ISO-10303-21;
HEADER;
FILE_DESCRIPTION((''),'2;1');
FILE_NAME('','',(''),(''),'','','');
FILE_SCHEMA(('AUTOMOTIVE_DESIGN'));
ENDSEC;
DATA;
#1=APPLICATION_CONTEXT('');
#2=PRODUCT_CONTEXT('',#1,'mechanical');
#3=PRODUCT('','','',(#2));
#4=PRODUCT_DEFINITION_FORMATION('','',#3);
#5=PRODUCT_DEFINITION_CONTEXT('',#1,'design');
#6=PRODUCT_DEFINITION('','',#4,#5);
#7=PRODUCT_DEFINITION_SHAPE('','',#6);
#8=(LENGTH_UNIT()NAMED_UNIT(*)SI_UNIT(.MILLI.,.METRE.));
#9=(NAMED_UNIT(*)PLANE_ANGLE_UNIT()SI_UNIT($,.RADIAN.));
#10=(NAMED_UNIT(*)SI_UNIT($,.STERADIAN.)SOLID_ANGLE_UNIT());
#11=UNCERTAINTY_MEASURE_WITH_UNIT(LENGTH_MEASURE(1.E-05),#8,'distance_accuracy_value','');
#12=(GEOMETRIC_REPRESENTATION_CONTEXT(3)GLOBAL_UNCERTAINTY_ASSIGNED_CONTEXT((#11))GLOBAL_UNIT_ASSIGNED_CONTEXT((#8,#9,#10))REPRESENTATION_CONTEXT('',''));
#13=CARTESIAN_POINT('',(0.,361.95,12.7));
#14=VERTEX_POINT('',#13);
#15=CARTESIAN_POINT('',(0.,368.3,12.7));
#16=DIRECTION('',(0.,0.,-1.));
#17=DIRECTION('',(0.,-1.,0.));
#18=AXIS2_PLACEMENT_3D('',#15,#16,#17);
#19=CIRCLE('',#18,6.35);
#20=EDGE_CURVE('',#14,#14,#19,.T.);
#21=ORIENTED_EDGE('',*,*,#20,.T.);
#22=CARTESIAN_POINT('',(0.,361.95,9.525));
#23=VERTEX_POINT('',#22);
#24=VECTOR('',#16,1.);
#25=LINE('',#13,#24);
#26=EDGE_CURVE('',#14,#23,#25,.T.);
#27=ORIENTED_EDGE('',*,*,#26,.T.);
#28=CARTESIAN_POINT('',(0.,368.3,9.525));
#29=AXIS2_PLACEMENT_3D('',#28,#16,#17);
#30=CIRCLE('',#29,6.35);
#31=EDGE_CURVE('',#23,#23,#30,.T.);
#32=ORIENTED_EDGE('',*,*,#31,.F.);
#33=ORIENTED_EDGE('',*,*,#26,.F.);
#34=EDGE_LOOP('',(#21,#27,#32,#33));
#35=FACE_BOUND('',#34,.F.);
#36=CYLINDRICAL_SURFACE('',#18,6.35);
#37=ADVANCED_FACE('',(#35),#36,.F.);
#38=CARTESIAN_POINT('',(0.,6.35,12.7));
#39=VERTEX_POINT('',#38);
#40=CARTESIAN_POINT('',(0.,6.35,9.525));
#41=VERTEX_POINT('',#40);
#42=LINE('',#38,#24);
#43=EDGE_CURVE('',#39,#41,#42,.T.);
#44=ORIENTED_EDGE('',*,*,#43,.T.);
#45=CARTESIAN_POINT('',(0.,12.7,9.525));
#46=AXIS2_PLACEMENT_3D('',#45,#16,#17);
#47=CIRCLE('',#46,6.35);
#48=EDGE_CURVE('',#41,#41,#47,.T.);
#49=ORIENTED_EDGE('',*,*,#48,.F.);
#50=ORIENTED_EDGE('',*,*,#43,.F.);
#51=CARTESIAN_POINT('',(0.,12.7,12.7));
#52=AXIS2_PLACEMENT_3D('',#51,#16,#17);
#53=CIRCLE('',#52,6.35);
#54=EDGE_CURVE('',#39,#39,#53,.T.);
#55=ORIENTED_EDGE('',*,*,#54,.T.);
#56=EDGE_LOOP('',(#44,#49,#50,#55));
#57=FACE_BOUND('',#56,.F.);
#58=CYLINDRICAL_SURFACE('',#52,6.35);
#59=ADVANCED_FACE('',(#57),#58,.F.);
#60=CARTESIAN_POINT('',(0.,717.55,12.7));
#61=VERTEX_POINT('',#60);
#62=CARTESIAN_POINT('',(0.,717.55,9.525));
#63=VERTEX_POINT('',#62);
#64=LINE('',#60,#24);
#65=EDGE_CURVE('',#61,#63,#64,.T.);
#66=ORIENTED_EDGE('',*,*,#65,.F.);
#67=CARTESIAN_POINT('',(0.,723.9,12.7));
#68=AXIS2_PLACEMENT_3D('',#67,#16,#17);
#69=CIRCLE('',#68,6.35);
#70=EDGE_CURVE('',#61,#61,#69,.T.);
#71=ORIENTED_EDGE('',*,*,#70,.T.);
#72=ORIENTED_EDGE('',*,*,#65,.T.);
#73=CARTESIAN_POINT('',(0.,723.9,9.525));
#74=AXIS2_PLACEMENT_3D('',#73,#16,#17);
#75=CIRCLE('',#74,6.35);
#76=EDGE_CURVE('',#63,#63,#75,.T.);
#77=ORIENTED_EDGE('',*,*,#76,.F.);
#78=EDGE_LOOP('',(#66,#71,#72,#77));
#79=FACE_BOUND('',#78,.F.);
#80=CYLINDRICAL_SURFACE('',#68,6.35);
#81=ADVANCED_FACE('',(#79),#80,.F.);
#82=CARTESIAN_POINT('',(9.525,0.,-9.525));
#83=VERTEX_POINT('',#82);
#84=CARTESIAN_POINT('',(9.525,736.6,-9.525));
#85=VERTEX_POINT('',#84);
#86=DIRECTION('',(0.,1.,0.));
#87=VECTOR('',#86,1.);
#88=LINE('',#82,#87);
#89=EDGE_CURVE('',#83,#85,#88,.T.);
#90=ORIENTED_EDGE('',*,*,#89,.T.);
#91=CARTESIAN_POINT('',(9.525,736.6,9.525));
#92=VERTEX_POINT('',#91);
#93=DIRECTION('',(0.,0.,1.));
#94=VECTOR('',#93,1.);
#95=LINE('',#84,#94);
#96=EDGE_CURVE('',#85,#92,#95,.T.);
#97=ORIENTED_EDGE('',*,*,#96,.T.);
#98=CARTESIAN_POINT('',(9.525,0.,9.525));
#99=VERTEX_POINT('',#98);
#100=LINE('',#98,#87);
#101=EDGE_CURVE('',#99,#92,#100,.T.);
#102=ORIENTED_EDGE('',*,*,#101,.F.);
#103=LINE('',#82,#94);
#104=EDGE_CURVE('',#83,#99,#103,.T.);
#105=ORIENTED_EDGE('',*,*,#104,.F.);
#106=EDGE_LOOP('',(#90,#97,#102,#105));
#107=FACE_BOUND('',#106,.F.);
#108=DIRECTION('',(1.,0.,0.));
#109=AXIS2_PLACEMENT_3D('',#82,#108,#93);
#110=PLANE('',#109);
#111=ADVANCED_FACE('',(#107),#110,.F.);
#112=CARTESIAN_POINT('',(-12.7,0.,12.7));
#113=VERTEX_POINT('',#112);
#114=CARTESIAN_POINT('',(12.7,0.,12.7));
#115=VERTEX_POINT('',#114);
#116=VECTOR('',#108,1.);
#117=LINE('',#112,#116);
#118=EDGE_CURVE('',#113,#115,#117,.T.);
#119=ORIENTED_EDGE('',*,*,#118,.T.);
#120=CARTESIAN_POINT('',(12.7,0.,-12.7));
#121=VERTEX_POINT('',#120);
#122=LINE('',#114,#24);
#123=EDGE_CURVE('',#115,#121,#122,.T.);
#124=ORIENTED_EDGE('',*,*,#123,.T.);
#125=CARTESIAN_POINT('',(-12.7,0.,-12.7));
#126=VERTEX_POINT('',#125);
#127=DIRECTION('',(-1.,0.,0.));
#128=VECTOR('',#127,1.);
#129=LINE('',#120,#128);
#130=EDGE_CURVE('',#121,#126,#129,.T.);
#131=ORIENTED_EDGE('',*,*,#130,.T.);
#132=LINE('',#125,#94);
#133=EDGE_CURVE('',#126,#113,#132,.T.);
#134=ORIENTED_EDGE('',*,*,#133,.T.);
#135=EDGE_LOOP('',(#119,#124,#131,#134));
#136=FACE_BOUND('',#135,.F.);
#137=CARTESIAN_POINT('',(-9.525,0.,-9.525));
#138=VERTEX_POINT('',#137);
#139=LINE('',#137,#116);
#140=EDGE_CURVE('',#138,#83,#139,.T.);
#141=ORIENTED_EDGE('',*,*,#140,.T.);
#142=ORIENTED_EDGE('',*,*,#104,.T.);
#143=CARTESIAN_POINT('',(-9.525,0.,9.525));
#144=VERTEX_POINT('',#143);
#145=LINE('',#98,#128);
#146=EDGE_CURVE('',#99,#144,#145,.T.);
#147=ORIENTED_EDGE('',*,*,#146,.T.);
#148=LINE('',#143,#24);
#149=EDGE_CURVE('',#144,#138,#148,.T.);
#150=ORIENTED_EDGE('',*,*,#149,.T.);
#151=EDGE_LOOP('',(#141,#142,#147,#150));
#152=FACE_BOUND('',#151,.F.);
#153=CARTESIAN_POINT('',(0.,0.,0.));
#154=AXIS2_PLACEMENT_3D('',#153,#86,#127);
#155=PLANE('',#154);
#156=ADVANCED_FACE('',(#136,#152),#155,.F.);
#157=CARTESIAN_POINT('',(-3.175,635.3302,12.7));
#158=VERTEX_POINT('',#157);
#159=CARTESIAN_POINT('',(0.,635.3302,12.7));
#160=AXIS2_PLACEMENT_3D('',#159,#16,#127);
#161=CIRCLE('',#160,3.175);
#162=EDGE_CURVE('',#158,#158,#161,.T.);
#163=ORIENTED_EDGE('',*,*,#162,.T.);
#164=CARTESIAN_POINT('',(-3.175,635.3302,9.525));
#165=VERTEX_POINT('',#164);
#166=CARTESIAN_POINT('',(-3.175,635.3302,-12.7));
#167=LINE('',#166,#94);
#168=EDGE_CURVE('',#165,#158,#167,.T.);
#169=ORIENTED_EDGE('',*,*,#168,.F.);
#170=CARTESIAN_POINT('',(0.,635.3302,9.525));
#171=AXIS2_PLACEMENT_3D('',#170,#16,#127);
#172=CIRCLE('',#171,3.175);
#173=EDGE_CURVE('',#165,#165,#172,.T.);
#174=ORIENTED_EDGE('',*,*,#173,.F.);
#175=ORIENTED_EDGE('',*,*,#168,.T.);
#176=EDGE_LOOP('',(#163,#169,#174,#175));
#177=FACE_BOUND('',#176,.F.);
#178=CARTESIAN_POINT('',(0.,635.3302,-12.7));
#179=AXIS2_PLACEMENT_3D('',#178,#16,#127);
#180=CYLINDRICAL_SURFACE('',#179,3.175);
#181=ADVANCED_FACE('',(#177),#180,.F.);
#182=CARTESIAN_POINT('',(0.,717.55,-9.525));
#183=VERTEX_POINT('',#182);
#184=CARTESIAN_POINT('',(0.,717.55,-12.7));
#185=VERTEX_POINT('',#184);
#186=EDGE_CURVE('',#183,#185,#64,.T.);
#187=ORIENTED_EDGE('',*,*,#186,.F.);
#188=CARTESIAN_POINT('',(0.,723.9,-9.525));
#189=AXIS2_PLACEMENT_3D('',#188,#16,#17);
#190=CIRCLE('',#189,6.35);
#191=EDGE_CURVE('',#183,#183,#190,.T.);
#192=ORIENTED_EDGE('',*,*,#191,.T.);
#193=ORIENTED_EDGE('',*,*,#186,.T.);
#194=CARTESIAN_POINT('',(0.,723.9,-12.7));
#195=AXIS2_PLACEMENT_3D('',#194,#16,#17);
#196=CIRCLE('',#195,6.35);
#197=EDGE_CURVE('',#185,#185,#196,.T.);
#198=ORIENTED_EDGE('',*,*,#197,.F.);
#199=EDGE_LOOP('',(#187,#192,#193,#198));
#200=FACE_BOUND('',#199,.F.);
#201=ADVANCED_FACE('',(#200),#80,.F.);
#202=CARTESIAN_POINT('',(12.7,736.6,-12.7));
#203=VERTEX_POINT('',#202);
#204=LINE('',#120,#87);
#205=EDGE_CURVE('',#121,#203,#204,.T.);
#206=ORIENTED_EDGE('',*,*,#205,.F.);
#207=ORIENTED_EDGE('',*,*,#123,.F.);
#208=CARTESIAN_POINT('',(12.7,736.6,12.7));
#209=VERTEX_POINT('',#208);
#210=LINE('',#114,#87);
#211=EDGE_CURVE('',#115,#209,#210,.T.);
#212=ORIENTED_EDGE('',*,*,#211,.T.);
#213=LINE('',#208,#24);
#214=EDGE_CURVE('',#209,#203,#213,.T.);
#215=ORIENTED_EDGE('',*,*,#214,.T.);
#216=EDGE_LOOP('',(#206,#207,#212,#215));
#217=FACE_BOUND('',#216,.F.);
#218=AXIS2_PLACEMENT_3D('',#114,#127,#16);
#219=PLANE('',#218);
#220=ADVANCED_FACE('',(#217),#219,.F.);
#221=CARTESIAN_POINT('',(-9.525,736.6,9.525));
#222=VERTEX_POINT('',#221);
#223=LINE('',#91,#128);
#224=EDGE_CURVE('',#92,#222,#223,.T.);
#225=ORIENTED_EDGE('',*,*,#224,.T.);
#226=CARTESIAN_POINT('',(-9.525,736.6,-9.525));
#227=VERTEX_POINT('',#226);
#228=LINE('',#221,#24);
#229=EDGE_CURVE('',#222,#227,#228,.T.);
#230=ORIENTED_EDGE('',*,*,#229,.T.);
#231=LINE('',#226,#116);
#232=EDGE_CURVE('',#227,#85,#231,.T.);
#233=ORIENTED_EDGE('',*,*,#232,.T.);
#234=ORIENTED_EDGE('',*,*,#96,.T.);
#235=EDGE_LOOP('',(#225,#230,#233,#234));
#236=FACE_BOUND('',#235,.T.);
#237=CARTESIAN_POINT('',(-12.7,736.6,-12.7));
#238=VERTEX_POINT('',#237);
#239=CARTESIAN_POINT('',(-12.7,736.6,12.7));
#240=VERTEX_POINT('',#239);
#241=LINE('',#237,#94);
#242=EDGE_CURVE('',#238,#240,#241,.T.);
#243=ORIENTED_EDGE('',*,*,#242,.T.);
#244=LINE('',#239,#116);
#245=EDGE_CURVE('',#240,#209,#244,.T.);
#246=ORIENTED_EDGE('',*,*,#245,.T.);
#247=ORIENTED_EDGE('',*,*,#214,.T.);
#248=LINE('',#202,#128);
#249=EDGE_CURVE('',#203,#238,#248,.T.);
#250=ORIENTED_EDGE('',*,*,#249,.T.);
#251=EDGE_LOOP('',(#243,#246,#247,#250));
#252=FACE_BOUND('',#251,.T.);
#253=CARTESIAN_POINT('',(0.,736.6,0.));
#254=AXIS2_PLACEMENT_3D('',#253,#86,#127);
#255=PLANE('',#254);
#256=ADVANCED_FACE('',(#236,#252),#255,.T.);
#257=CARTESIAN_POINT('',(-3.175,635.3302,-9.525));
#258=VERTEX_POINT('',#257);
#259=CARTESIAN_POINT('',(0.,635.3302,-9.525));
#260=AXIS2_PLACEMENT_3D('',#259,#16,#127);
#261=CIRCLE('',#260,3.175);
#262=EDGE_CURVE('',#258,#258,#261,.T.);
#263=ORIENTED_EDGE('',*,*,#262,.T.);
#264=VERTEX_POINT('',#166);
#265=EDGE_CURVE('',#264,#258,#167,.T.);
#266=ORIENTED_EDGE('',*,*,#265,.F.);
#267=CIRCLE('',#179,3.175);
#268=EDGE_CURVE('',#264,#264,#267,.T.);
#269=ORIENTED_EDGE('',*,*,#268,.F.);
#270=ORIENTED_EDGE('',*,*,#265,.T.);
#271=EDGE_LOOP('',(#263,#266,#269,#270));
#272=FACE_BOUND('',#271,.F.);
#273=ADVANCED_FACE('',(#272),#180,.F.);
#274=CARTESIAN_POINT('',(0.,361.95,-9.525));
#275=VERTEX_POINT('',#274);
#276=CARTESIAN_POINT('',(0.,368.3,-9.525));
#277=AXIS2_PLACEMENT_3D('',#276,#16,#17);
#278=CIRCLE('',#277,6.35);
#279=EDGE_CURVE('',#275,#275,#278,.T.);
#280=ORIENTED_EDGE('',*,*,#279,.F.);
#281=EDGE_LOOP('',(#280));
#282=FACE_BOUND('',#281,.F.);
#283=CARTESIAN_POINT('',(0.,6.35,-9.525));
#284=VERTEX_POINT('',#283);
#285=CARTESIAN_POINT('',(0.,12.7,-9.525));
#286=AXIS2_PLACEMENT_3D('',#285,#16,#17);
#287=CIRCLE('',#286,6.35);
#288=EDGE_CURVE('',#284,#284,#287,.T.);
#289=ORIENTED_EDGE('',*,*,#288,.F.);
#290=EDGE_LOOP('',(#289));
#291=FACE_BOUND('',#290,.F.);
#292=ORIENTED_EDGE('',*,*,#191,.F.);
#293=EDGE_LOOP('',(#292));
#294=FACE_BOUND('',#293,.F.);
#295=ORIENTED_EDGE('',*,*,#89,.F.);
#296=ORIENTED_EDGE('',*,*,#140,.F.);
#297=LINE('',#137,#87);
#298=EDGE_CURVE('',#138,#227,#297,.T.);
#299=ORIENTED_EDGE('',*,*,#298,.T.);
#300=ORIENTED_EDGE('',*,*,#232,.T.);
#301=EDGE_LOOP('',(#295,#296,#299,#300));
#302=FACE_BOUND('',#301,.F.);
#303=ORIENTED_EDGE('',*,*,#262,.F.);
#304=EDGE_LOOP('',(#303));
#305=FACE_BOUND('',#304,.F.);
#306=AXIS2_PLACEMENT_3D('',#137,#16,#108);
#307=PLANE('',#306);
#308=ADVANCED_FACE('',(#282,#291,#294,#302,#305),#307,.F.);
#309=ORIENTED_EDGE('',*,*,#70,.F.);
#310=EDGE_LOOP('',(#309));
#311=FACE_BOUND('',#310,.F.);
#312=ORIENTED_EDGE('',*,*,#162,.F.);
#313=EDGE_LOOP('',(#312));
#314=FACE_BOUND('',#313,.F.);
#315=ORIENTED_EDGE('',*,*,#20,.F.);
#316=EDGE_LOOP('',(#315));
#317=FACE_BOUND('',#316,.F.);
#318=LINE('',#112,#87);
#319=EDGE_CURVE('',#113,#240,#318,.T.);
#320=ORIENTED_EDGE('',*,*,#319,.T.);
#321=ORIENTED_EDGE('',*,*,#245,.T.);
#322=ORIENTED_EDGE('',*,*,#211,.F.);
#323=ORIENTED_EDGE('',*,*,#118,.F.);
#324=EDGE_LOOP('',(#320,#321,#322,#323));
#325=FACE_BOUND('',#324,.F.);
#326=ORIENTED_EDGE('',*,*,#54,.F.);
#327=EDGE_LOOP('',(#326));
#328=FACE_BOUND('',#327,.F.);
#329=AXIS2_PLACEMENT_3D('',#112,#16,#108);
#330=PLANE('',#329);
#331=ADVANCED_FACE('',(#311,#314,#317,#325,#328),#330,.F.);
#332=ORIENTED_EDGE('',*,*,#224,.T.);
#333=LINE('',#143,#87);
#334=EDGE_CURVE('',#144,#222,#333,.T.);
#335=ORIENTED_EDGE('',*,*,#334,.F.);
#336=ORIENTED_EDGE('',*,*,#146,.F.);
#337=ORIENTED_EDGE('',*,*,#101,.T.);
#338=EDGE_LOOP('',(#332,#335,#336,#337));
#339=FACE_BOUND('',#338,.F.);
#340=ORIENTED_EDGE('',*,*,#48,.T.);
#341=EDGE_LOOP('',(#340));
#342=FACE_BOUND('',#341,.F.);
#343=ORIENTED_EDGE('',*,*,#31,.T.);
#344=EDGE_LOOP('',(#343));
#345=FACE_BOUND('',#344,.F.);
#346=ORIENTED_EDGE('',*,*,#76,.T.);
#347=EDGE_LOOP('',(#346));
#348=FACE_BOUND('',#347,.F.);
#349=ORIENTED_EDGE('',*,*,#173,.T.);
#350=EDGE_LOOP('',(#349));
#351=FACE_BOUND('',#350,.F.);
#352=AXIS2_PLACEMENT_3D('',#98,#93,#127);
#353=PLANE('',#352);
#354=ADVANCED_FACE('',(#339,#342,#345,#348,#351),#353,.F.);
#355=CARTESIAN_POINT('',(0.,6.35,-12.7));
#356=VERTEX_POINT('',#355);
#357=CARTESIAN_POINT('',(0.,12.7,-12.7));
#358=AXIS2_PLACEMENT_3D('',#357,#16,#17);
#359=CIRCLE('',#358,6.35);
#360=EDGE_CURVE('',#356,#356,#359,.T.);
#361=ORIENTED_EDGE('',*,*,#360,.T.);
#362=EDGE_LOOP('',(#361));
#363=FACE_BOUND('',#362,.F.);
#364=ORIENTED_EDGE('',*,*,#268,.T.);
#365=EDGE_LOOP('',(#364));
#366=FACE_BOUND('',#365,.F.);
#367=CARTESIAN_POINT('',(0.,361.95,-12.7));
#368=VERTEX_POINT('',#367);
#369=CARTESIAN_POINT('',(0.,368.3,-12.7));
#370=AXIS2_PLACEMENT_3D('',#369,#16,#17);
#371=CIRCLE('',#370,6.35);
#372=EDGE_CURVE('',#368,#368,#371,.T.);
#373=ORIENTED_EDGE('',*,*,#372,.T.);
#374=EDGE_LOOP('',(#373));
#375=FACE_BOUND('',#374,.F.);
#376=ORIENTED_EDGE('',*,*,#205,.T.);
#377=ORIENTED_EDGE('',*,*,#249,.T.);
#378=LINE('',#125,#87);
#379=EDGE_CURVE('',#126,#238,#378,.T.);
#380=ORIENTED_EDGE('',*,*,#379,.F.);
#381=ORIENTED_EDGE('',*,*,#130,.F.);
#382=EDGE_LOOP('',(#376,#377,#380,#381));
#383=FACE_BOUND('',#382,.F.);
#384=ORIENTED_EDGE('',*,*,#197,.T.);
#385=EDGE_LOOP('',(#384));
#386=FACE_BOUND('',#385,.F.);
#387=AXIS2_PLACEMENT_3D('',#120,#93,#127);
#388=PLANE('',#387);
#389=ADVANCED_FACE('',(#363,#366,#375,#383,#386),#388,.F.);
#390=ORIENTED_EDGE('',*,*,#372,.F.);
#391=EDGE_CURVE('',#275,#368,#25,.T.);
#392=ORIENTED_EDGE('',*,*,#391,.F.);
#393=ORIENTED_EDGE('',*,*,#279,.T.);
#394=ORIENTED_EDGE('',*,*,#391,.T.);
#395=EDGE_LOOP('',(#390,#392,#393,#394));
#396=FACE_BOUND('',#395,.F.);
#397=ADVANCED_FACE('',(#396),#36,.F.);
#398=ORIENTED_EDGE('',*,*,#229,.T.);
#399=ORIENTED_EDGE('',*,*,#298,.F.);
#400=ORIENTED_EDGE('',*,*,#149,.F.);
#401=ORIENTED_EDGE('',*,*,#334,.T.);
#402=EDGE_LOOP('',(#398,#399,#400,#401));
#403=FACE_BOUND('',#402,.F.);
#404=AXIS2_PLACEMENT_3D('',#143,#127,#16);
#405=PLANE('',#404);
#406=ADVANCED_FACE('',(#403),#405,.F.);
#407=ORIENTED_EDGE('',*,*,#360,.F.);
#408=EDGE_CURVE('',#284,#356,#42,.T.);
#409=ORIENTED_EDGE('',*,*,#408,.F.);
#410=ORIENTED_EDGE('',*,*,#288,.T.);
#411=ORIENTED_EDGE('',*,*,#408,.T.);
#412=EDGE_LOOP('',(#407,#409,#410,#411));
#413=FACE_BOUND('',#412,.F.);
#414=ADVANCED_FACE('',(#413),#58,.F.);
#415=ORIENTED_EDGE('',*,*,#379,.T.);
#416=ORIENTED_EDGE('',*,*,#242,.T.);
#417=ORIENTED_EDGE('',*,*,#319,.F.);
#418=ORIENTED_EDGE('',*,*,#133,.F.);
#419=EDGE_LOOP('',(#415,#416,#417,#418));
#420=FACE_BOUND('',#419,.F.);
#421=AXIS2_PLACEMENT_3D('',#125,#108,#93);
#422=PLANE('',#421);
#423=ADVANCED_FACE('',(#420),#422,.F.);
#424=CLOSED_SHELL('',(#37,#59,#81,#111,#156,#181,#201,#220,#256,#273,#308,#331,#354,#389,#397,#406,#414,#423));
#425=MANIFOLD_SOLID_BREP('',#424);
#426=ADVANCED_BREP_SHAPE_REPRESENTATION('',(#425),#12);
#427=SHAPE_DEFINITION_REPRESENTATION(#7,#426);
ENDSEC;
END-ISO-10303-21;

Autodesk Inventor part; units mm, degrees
ref_plane "YZ Plane" through (0, 0, 0) normal (1, 0, 0) x (0, 1, 0)
ref_plane "XZ Plane" through (0, 0, 0) normal (0, 1, 0) x (-1, 0, 0)
ref_plane "XY Plane" through (0, 0, 0) normal (0, 0, 1) x (1, 0, 0)
sketch "Sketch1" plane through (0, 0, 0) normal (0, 1, 0) x (-1, 0, 0)
  line L0 (12.7, 12.7) -> (-12.7, 12.7)
  line L1 (-12.7, 12.7) -> (-12.7, -12.7)
  line L2 (-12.7, -12.7) -> (12.7, -12.7)
  line L3 (12.7, -12.7) -> (12.7, 12.7)
  line L4 (-9.525, 9.525) -> (9.525, 9.525)
  line L5 (9.525, 9.525) -> (9.525, -9.525)
  line L6 (9.525, -9.525) -> (-9.525, -9.525)
  line L7 (-9.525, -9.525) -> (-9.525, 9.525)
  point P0 (0, 0)
  point P1 (12.7, 0)
  point P2 (0, -12.7)
  dimension "d0" = 25.4
  dimension "d1" = 25.4
  dimension "d2" = 3.175
extrude "Extrusion1" add sketch "Sketch1" along normal blind 736.6
sketch "Sketch2" plane through (-12.7, 0, 12.7) normal (0, 0, 1) x (1, 0, 0)
  line L0 (0, 736.6) -> (25.4, 736.6) projected
  line L1 (0, 0) -> (25.4, 0) projected
  point P0 (12.7, 0)
  point P1 (12.7, 12.7)
  point P2 (12.7, 723.9)
  point P3 (12.7, 368.3)
  dimension "d5" = 12.7
  dimension "d6" = 12.7
  dimension "d7" = 368.3
hole "Hole1" at (0, 12.7, 12.7) at (0, 723.9, 12.7) at (0, 368.3, 12.7) direction (0, 0, -1) diameter 12.7 end through all
sketch "Sketch3" plane through (-12.7, 0, 12.7) normal (0, 0, 1) x (1, 0, 0)
  line L0 (21.6869, 114.0639) -> (21.6869, 96.9638) construction
  line L1 (21.6869, 96.9638) -> (5.8083, 96.9638) construction
  line L2 (5.8083, 96.9638) -> (5.8083, 114.0639) construction
  line L3 (5.8083, 114.0639) -> (21.6869, 114.0639) construction
  point P0 (12.7, 0)
sketch "Sketch4" plane through (12.7, 0, -12.7) normal (0, 0, -1) x (-1, 0, 0)
  circle A0 centre (12.7, 635.3302) radius 3.175
  line L0 (0, 736.6) -> (25.4, 736.6) projected
  point P0 (12.7, 0)
  dimension "d15" = 101.2698
  dimension "d16" = 6.35
extrude "Extrusion2" cut sketch "Sketch4" against normal through all
equation "\"d0\" = Tube_size"
equation "\"d1\" = Tube_size"
equation "\"d2\" = Wall_Thickness"
equation "\"d3\" = Bar3_1_Length"
equation "\"d5\" = Uper_Pivit_Offset_FromEdge"
equation "\"d6\" = Lower_Pivit_Offset_FromEdge"
equation "\"d7\" = Bar3_1_Center_Pivit_Offset_FromEdge"
equation "\"d8\" = Pin_Size"
equation "\"Bar1_1_Length\" = 736.6"
equation "\"Tube_size_1\" = 25.4"
equation "\"Wall_Thickness_1\" = 3.175"
equation "\"Lower_Pivit_Offset_FromEdge\" = 12.7"
equation "\"Uper_Pivit_Offset_FromEdge\" = 12.7"
equation "\"Bar1_1_Center_Pivit_Offset_FromEdge\" = 368.3"
equation "\"Bar1_2_Length\" = 736.6"
equation "\"Bar2_1_Length\" = 736.6"
equation "\"Bar2_2_Length\" = 736.6"
equation "\"Bar3_1_Length\" = 736.6"
equation "\"Bar3_2_Length\" = 736.6"
equation "\"Tube_size\" = 25.4"
equation "\"Wall_Thickness\" = 3.175"
equation "\"Bar1_2_Center_Pivit_Offset_FromEdge\" = 368.3"
equation "\"Bar2_1_Center_Pivit_Offset_FromEdge\" = 368.3"
equation "\"Bar2_2_Center_Pivit_Offset_FromEdge\" = 368.3"
equation "\"Bar3_1_Center_Pivit_Offset_FromEdge\" = 368.3"
equation "\"Bar4_2_Center_Pivit_Offset_FromEdge\" = 355.6"
equation "\"Pin_Size\" = 12.7"
equation "\"Bar3_2_Center_Pivit_Offset_FromEdge\" = 368.3"
properties part number "2018 Bar3_1"
